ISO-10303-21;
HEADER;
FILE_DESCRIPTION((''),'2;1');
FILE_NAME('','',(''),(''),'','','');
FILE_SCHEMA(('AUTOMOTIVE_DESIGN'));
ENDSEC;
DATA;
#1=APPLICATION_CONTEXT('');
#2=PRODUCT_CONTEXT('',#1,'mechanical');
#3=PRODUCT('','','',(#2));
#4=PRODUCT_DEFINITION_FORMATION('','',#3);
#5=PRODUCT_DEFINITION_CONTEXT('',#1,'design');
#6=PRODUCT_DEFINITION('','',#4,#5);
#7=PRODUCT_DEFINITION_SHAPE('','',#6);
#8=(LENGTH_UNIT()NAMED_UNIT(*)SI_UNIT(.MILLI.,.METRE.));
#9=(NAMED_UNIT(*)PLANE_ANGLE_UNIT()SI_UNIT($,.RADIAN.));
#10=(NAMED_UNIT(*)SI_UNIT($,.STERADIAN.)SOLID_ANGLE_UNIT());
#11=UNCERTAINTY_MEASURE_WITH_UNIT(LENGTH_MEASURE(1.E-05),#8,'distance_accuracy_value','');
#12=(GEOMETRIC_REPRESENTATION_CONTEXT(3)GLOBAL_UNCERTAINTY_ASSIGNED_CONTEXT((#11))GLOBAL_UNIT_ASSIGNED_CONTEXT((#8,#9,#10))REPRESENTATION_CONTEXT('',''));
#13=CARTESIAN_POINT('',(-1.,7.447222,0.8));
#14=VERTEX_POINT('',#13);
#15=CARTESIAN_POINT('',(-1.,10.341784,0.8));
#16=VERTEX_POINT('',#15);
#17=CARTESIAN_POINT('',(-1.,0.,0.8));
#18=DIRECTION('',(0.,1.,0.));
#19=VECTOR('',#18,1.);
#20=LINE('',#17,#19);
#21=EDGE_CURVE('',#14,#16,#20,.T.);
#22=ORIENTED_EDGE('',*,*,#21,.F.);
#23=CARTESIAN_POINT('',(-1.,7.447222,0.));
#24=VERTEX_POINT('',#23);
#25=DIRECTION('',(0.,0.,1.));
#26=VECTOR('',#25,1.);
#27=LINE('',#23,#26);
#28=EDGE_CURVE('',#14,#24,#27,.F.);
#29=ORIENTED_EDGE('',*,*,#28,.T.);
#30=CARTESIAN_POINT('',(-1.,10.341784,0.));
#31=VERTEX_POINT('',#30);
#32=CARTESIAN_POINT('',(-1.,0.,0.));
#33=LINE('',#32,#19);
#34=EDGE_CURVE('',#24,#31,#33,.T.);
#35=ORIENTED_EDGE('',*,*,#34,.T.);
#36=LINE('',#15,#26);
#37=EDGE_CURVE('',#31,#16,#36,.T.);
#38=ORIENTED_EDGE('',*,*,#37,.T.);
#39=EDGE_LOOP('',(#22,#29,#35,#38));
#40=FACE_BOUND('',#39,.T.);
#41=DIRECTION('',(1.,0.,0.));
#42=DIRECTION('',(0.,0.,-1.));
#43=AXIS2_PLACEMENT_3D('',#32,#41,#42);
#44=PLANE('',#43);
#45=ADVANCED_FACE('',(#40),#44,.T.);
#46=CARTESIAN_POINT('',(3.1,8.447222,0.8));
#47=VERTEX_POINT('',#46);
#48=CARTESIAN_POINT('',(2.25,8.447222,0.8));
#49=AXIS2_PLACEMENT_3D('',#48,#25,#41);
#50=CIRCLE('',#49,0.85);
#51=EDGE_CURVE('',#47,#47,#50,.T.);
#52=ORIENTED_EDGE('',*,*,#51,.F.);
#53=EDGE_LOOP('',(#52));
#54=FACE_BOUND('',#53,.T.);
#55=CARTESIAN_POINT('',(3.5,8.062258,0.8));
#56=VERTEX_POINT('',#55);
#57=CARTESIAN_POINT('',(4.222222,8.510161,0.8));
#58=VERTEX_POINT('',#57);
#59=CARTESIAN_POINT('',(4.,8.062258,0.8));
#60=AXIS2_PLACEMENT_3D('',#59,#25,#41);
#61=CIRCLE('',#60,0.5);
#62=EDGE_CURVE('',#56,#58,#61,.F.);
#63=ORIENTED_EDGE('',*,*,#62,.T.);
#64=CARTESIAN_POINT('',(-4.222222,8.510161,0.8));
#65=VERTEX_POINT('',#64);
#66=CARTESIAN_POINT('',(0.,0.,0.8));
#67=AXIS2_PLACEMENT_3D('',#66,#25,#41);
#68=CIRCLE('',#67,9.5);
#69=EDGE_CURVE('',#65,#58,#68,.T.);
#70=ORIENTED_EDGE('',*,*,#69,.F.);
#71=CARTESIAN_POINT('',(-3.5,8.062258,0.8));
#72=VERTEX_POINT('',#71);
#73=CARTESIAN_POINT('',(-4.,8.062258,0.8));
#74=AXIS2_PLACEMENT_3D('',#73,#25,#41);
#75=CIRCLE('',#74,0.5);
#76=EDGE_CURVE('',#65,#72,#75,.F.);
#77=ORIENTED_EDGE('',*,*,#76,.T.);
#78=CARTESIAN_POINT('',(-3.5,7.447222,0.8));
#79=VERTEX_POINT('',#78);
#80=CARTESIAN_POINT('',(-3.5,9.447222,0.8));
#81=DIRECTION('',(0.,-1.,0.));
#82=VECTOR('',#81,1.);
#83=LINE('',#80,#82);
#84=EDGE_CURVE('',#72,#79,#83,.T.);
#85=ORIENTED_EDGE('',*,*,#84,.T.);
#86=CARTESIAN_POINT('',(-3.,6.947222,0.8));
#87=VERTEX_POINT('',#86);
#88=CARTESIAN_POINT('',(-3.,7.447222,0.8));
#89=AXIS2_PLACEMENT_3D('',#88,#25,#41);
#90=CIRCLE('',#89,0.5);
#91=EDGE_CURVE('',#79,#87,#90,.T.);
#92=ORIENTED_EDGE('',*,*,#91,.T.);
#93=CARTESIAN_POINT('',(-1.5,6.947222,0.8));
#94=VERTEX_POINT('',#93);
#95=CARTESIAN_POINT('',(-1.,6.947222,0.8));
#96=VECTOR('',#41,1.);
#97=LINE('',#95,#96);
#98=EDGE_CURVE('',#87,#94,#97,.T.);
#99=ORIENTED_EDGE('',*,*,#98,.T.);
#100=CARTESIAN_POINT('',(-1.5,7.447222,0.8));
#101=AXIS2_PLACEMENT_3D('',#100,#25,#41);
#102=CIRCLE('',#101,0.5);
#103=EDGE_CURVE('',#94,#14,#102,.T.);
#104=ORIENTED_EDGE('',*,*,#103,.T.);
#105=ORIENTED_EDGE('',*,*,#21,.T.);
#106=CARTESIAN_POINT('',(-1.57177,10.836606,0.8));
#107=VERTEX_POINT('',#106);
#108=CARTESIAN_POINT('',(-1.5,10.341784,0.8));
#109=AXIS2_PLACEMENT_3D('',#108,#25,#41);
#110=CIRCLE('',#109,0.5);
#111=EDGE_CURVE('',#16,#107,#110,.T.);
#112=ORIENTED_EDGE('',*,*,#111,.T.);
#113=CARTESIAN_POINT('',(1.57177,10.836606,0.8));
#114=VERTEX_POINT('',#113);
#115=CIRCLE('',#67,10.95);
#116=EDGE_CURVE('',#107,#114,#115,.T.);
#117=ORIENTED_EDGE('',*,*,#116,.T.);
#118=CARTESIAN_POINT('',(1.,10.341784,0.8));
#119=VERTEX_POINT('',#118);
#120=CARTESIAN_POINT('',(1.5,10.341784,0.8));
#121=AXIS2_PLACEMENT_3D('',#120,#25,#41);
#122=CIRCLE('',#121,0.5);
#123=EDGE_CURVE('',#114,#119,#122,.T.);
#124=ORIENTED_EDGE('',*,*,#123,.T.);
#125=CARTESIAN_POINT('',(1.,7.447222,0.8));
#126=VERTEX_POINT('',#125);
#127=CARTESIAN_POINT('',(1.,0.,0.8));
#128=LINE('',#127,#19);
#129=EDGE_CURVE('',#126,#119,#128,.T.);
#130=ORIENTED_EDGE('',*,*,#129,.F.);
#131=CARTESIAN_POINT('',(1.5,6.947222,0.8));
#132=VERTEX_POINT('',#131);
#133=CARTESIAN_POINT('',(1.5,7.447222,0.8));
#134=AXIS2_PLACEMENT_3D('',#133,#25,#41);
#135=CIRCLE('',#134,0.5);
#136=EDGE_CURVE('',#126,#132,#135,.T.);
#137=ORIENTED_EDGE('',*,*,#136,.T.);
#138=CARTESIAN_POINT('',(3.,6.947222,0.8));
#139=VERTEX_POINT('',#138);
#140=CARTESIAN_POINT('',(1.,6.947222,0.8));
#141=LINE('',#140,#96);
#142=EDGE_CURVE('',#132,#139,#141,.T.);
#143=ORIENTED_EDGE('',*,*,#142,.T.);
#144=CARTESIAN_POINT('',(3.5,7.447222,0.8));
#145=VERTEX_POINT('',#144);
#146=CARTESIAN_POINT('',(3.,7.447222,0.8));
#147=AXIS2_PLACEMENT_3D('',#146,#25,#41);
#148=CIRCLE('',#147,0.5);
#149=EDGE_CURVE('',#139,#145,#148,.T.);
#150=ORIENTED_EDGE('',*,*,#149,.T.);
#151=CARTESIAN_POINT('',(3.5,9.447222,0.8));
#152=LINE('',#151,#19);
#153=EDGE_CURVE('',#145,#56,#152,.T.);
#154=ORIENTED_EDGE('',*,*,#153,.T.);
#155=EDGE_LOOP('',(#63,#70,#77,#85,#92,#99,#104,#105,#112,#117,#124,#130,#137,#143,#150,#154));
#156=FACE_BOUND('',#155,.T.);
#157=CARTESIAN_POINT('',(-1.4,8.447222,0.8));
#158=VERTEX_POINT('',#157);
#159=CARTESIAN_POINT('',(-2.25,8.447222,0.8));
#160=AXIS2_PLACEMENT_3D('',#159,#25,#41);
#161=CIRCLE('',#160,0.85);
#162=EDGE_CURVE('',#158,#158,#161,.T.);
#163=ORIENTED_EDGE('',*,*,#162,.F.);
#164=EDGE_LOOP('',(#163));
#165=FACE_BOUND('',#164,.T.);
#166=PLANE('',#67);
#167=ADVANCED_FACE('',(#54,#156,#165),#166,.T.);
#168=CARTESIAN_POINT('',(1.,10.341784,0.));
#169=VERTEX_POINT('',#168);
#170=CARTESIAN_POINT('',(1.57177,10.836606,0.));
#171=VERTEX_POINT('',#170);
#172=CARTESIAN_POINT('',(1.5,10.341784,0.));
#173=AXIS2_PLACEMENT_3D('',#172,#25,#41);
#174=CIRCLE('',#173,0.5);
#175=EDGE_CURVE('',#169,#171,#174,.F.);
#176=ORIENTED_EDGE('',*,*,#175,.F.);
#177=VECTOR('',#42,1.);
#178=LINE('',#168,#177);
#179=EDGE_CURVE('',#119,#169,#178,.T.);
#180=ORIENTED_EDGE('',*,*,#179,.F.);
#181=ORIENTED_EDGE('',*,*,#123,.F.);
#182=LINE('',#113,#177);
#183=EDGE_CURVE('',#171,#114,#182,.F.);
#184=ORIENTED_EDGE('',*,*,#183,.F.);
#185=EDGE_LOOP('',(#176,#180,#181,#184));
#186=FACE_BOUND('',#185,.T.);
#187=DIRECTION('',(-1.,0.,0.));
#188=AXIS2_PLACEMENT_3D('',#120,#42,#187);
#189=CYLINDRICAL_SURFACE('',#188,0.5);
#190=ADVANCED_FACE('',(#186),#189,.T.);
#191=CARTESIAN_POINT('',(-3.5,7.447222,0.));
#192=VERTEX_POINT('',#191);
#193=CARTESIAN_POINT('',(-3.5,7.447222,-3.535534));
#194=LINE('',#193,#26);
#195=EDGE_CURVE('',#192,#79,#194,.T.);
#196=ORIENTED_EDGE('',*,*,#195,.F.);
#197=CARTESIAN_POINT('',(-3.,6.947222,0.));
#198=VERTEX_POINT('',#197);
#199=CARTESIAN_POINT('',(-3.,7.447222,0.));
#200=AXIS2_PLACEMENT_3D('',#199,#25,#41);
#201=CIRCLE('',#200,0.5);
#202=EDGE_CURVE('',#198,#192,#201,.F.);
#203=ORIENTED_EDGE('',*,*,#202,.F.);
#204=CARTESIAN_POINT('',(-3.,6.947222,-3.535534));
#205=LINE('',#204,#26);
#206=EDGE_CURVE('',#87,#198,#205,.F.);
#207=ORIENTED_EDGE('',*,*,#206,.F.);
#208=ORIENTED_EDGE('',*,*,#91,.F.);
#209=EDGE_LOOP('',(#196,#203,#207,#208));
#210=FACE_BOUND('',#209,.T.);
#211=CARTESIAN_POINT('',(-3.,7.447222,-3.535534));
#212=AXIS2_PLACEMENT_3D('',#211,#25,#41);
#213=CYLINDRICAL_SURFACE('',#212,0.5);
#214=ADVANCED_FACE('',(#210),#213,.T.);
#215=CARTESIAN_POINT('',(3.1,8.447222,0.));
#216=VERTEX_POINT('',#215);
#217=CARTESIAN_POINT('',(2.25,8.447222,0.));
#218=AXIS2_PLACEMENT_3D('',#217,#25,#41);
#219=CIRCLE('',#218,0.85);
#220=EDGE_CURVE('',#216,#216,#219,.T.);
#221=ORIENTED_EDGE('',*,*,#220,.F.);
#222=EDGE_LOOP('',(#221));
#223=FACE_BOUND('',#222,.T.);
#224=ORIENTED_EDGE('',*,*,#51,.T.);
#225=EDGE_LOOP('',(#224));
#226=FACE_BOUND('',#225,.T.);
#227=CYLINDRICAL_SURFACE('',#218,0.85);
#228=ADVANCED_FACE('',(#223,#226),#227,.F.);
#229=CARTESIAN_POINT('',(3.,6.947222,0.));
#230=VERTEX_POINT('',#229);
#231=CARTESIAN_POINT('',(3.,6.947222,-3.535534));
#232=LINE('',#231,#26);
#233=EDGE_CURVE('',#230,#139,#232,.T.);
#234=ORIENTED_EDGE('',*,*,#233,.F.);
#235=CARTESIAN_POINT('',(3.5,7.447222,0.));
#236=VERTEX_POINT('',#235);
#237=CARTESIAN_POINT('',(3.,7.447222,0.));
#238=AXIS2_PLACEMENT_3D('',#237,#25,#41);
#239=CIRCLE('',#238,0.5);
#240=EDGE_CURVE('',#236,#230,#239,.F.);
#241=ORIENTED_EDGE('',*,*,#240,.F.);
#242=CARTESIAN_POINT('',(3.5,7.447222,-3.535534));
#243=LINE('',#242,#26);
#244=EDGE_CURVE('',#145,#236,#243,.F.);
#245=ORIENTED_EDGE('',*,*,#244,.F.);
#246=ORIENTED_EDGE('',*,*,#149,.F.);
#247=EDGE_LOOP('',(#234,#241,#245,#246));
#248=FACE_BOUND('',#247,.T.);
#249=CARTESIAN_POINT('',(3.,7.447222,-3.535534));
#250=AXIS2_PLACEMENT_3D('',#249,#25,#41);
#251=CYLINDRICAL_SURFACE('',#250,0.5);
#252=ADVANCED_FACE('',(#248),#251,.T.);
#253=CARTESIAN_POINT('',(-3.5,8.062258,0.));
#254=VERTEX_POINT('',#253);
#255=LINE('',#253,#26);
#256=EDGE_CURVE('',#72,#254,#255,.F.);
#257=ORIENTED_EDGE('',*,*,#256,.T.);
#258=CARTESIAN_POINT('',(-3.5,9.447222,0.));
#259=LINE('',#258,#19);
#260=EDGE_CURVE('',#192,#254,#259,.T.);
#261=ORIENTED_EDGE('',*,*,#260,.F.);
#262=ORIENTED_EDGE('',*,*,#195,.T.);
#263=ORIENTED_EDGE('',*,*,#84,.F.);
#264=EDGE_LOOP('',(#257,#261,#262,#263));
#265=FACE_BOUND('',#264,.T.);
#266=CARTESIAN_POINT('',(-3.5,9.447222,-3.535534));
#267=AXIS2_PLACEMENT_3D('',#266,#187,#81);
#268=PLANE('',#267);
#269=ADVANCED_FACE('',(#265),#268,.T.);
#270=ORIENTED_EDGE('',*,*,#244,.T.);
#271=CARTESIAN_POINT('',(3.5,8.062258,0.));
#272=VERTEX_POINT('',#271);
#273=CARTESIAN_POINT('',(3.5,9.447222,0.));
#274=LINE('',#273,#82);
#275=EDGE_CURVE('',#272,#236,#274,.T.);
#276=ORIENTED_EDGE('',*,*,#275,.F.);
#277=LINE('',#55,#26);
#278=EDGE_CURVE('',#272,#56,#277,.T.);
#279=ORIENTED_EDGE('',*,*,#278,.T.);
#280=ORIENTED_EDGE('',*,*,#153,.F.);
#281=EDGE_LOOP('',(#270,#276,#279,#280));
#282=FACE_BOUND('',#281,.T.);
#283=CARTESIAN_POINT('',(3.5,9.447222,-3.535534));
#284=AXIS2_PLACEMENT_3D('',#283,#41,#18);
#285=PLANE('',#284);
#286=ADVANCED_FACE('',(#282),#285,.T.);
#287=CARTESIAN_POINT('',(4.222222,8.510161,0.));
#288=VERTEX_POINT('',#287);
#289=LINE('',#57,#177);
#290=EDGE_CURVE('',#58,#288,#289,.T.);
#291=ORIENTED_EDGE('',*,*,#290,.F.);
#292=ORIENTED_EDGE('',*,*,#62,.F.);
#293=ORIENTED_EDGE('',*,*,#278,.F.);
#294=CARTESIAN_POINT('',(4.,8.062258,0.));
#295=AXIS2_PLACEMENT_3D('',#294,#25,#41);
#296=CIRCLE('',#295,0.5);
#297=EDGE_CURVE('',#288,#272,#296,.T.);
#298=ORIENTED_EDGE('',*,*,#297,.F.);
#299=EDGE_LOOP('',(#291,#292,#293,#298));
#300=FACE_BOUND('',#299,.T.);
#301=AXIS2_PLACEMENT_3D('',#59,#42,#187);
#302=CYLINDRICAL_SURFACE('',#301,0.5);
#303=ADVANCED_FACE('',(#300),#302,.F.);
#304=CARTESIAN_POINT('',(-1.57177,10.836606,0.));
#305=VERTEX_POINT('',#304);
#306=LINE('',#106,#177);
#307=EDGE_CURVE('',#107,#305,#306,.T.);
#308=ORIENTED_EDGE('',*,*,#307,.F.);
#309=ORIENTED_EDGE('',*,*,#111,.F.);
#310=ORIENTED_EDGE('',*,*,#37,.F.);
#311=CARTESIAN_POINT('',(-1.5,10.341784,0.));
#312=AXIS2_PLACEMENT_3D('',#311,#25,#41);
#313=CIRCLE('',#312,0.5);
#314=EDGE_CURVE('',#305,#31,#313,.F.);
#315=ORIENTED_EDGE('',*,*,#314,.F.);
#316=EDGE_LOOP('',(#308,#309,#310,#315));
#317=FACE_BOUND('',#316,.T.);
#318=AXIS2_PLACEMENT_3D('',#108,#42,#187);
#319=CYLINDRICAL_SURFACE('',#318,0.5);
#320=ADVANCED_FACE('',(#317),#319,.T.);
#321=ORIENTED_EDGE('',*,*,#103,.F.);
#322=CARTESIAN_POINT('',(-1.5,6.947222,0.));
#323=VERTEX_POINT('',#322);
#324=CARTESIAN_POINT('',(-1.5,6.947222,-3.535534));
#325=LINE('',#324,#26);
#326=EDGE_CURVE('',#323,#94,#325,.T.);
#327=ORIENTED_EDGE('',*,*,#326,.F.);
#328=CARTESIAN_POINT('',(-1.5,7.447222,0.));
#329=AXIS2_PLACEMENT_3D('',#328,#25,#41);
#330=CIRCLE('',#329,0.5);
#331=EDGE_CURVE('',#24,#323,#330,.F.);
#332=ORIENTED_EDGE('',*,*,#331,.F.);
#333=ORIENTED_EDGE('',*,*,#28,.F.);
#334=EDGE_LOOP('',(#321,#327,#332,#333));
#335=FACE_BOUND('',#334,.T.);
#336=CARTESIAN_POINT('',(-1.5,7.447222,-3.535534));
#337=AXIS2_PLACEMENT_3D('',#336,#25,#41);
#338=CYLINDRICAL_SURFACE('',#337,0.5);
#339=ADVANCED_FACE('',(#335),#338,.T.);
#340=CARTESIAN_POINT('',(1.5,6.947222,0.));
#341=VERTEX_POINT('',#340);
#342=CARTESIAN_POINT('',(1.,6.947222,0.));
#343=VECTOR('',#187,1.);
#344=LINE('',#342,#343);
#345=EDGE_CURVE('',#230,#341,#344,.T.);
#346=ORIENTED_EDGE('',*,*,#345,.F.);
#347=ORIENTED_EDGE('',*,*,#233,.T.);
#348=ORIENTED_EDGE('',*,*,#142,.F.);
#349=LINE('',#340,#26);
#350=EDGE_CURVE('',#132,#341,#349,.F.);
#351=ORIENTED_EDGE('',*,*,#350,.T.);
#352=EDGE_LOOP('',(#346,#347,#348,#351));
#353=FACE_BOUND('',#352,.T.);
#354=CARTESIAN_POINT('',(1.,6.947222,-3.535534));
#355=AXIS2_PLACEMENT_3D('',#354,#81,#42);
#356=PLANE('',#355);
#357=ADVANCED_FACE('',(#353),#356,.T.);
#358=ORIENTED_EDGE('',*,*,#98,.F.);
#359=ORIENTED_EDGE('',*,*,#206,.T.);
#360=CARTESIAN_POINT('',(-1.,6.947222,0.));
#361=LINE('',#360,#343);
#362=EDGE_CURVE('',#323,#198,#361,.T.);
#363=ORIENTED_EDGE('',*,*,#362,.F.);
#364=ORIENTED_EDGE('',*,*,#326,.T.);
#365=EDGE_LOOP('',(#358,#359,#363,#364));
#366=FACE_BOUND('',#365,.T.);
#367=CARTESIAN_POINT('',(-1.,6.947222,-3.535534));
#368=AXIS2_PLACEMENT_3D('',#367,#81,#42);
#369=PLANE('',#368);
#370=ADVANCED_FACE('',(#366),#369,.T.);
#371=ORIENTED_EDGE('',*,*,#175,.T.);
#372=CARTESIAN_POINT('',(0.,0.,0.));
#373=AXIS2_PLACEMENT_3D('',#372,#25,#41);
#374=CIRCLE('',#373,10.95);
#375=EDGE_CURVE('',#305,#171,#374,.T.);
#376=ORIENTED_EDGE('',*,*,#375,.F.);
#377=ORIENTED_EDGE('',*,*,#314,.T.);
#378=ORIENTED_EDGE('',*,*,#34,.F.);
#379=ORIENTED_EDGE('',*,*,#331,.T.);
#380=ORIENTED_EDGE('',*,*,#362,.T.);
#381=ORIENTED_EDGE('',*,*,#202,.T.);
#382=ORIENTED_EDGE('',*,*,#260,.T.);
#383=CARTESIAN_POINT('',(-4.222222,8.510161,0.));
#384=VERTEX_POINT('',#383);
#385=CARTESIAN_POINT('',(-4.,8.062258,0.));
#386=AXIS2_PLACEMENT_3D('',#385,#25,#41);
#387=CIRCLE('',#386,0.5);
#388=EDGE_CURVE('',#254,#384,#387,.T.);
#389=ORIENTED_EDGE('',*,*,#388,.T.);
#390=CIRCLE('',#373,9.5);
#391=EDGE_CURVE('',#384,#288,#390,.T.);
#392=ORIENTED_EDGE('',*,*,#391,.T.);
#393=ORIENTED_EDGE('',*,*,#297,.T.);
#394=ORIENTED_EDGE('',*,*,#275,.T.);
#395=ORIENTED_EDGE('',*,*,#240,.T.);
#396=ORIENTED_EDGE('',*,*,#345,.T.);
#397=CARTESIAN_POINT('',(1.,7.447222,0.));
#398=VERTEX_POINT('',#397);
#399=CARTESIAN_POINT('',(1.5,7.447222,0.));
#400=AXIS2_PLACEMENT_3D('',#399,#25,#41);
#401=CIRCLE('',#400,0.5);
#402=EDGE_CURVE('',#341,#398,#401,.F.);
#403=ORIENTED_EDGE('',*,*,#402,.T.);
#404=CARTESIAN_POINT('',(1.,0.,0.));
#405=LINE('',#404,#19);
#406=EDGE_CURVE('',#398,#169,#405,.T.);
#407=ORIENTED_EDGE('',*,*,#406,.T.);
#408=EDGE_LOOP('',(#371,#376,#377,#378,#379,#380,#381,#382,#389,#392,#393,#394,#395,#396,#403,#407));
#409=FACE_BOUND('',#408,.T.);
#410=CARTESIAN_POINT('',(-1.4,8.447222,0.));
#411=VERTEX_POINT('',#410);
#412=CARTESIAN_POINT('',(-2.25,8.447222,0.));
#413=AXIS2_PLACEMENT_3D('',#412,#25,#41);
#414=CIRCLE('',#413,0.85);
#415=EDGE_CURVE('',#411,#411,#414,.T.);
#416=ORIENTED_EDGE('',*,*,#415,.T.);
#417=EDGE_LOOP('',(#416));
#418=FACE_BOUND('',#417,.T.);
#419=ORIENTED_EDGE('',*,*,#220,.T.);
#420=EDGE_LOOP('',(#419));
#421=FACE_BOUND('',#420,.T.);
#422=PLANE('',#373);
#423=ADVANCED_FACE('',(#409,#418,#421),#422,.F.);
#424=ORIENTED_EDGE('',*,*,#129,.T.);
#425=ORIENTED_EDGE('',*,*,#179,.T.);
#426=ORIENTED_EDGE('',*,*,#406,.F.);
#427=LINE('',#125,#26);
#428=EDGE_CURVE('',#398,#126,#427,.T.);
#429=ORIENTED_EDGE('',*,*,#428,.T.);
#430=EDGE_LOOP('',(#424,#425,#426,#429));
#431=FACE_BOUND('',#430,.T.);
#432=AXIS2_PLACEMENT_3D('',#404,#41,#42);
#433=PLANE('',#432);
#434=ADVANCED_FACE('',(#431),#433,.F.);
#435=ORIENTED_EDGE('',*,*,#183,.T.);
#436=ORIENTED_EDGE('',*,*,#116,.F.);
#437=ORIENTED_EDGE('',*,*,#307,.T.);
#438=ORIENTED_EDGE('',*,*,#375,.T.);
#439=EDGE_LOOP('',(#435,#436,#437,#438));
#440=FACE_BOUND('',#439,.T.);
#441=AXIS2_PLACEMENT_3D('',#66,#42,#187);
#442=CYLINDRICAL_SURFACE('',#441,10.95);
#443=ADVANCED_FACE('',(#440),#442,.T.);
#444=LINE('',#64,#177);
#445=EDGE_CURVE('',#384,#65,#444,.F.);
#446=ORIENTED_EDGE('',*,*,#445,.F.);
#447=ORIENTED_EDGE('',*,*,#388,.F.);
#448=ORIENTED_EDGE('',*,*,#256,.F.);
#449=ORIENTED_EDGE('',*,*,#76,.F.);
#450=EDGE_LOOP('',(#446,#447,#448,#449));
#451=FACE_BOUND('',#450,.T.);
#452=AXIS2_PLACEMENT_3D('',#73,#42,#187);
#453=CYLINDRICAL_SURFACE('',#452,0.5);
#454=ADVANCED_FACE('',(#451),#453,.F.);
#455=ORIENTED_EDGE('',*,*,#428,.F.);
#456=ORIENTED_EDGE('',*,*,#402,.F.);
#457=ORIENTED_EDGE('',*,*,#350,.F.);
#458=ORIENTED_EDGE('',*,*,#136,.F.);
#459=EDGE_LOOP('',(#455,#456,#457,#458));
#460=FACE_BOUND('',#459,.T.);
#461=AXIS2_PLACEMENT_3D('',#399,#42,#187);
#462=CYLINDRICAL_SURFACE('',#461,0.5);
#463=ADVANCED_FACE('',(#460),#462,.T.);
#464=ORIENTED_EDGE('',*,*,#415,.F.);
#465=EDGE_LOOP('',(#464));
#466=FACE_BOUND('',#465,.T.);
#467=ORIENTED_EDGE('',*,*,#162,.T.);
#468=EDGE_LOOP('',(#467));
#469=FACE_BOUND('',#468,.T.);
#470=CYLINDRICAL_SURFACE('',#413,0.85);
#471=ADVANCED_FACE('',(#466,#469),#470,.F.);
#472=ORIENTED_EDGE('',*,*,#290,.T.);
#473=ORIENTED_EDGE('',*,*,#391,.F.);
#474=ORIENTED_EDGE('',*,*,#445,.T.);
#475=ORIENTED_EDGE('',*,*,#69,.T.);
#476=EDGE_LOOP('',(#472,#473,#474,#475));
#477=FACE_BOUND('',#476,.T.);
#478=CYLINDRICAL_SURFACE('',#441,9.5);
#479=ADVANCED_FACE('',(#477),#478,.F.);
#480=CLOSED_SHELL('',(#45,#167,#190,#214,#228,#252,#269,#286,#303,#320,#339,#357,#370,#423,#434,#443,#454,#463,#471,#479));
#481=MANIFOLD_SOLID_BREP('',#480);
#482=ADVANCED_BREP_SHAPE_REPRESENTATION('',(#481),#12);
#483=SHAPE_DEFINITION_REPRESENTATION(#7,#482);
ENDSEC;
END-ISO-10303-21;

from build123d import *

# Parameters (mm, degrees)
SKETCH1_R           = 10.95
SKETCH1_R_2         = 9.5
BOSS_EXTRUDE1_DEPTH = 0.8
SKETCH2_W           = 2
SKETCH2_H           = 14.789010462
CUT_EXTRUDE1_DEPTH  = 16.506289047
SKETCH3_W           = 2.5
SKETCH3_H           = 2.5
BOSS_EXTRUDE2_DEPTH = 0.8
FILLET1_R           = 0.5
FILLET2_R           = 0.5
SKETCH4_R           = 0.85
CUT_EXTRUDE2_DEPTH  = 16.506289047


with BuildPart() as part:
    # Sketch1 → Boss-Extrude1 (new body)
    with BuildSketch(Plane.XY):
        Circle(SKETCH1_R)
        Circle(SKETCH1_R_2, mode=Mode.SUBTRACT)
    extrude(amount=BOSS_EXTRUDE1_DEPTH)

    # Sketch2 → Cut-Extrude1 (cut, through all)
    with BuildSketch(Plane.XY.offset(0.8)):
        with Locations((0, 7.394505231)):
            Rectangle(SKETCH2_W, SKETCH2_H)
    extrude(amount=-CUT_EXTRUDE1_DEPTH, mode=Mode.SUBTRACT)

    # Sketch3 → Boss-Extrude2 (add)
    with BuildSketch(Plane.XY.offset(0.8)):
        with Locations((2.25, 8.197221814)):
            Rectangle(SKETCH3_W, SKETCH3_H)
        with Locations((-2.25, 8.197221814)):
            Rectangle(SKETCH3_W, SKETCH3_H)
    extrude(amount=-BOSS_EXTRUDE2_DEPTH)

    # Fillet1
    fillet1_edges = [part.edges().sort_by_distance(p)[0] for p in [
        (1, 10.904242294, 0.4),
        (-1, 10.904242294, 0.4),
        (3.5, 8.831760866, 0.4),
        (-3.5, 8.831760866, 0.4),
    ]]
    fillet(fillet1_edges, radius=FILLET1_R)

    # Fillet2
    fillet2_edges = [part.edges().sort_by_distance(p)[0] for p in [
        (1, 6.947221814, 0.4),
        (3.5, 6.947221814, 0.4),
        (-1, 6.947221814, 0.4),
        (-3.5, 6.947221814, 0.4),
    ]]
    fillet(fillet2_edges, radius=FILLET2_R)

    # Sketch4 → Cut-Extrude2 (cut, through all)
    with BuildSketch(Plane.XY.offset(0.8)):
        with Locations((2.25, 8.447221814)):
            Circle(SKETCH4_R)
        with Locations((-2.25, 8.447221814)):
            Circle(SKETCH4_R)
    extrude(amount=-CUT_EXTRUDE2_DEPTH, mode=Mode.SUBTRACT)


solid = part.part
